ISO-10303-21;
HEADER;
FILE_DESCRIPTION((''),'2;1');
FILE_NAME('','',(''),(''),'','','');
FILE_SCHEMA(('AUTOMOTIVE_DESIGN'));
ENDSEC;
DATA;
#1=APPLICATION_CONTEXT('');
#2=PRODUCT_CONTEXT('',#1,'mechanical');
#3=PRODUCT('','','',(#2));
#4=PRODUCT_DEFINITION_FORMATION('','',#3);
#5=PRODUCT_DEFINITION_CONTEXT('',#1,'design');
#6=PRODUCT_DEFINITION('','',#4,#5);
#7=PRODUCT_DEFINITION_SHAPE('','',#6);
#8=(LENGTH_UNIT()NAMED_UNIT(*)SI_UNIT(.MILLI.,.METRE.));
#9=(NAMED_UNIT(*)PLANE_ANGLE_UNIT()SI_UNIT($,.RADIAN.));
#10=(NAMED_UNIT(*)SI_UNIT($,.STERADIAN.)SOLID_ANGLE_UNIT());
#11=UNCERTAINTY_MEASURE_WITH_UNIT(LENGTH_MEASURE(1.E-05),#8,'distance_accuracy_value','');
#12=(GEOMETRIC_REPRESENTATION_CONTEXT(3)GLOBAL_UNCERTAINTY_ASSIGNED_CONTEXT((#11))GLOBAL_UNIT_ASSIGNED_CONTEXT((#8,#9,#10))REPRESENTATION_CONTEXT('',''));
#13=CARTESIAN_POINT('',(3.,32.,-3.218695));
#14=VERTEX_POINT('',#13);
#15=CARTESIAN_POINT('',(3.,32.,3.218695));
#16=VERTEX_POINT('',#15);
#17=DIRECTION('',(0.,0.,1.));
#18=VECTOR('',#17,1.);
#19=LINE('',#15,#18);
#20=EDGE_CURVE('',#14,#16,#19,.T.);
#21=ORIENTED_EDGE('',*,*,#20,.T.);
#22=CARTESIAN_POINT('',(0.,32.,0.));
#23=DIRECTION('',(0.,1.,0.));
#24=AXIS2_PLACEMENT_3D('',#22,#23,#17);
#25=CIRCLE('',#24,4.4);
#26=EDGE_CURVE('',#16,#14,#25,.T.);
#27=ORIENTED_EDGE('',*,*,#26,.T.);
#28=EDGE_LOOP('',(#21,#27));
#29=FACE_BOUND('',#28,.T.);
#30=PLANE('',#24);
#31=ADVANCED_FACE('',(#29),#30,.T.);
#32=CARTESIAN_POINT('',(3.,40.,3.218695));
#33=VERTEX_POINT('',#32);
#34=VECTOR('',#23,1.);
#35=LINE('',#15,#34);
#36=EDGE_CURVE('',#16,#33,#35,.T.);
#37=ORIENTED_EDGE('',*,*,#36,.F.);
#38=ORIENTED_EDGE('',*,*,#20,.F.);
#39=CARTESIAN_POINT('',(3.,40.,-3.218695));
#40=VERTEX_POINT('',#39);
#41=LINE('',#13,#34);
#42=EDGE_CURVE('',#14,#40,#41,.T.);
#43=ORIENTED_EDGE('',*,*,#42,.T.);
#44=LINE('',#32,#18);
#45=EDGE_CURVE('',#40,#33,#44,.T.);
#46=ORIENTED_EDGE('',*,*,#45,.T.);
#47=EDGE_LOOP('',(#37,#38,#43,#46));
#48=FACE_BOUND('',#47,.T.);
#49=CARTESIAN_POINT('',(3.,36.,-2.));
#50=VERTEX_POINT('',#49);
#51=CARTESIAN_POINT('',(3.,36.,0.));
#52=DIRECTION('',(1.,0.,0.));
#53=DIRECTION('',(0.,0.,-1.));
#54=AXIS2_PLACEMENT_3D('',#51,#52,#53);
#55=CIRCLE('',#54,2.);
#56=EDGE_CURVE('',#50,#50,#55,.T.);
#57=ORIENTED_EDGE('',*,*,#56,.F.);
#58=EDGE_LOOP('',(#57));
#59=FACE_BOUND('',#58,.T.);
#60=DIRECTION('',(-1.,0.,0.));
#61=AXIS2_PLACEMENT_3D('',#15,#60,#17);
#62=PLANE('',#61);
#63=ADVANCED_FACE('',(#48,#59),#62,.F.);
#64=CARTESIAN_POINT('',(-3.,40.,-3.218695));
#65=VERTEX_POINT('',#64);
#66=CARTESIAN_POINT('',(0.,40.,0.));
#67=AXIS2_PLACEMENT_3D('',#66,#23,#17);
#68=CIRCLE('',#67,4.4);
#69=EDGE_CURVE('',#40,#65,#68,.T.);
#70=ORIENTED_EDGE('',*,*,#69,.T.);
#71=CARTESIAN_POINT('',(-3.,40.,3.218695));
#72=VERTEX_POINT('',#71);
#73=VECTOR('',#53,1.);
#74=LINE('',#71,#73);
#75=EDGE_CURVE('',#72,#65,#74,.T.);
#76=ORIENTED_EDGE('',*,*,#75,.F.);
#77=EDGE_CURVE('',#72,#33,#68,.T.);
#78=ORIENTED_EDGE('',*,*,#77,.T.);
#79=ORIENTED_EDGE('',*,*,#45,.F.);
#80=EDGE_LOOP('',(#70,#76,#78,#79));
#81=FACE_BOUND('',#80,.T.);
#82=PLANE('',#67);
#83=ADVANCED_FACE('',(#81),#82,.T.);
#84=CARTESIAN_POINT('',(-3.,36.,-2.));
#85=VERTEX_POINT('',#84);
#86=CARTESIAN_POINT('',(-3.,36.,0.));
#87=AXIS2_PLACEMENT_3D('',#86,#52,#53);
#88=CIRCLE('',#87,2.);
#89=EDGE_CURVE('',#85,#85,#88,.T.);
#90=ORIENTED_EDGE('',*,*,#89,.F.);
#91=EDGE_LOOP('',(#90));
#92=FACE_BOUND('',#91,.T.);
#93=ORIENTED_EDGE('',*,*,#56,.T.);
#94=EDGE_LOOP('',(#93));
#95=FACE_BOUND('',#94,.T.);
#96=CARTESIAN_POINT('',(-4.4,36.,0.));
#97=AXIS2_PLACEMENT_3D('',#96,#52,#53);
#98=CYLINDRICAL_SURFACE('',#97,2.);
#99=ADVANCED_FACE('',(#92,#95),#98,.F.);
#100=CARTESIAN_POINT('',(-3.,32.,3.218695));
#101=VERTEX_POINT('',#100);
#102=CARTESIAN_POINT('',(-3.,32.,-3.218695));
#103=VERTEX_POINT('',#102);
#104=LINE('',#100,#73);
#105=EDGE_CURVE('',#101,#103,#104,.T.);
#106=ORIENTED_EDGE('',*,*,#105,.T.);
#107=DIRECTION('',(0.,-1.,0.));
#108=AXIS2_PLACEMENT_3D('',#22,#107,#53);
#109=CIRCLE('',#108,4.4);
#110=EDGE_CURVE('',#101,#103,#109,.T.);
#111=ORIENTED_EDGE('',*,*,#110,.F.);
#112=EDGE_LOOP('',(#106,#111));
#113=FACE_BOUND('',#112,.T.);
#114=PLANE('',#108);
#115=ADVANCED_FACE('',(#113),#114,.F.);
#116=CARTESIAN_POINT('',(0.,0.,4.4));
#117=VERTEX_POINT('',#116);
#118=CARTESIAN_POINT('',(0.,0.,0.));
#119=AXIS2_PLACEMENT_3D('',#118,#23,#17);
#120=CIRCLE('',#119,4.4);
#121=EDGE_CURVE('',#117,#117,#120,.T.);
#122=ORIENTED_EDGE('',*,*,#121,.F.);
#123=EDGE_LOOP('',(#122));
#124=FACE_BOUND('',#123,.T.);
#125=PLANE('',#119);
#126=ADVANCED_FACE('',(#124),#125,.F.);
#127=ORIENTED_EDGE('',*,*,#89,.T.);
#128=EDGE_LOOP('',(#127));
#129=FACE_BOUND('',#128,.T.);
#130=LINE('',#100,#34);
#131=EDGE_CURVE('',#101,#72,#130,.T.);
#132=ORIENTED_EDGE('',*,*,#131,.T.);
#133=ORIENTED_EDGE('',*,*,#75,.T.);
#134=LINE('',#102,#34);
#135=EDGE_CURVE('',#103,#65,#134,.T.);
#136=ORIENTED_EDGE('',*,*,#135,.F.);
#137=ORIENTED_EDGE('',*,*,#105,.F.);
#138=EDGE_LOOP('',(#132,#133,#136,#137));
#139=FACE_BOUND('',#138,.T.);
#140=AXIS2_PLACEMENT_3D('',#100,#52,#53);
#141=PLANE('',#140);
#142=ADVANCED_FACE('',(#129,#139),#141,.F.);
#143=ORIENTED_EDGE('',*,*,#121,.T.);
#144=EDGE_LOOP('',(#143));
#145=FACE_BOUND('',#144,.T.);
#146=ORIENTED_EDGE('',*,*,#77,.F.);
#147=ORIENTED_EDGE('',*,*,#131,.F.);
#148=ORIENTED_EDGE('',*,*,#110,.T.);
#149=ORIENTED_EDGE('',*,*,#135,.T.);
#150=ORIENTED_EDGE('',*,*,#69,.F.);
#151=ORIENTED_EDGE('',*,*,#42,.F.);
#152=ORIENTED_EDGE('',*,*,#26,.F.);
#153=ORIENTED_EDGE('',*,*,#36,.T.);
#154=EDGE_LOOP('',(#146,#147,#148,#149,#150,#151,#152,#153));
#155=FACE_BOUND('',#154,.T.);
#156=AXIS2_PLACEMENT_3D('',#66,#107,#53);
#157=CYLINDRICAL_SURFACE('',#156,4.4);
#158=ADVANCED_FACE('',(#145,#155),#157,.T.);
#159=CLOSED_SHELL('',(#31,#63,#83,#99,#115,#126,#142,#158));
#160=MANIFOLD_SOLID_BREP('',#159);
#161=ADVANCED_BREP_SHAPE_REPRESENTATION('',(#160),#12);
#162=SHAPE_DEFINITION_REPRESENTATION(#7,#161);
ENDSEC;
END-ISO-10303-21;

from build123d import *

# Parameters (mm, degrees)
SKETCH1_R           = 4.4
BOSS_EXTRUDE1_DEPTH = 40
SKETCH2_W           = 2.8
SKETCH2_H           = 6.437390776
CUT_EXTRUDE1_DEPTH  = 8
SKETCH3_R           = 2
CUT_EXTRUDE2_DEPTH  = 41.916011536


with BuildPart() as part:
    # Sketch1 → Boss-Extrude1 (new body)
    with BuildSketch(Plane(origin=(0, 0, 0), x_dir=(1, 0, 0), z_dir=(0, 1, 0))):
        with Locations(Location((0, 0, 0), (0, 0, 270))):
            Circle(SKETCH1_R)
    extrude(amount=BOSS_EXTRUDE1_DEPTH)

    # Sketch2 → Cut-Extrude1 (cut)
    with BuildSketch(Plane(origin=(0, 40, 0), x_dir=(1, 0, 0), z_dir=(0, 1, 0))):
        with Locations((-4.4, 0)):
            Rectangle(SKETCH2_W, SKETCH2_H)
        with Locations((4.4, 0)):
            Rectangle(SKETCH2_W, SKETCH2_H)
    extrude(amount=-CUT_EXTRUDE1_DEPTH, mode=Mode.SUBTRACT)

    # Sketch3 → Cut-Extrude2 (cut, through all)
    with BuildSketch(Plane(origin=(3, 0, 0), x_dir=(0, 0, -1), z_dir=(1, 0, 0))):
        with Locations((0, 36)):
            Circle(SKETCH3_R)
    extrude(amount=-CUT_EXTRUDE2_DEPTH, mode=Mode.SUBTRACT)


solid = part.part
